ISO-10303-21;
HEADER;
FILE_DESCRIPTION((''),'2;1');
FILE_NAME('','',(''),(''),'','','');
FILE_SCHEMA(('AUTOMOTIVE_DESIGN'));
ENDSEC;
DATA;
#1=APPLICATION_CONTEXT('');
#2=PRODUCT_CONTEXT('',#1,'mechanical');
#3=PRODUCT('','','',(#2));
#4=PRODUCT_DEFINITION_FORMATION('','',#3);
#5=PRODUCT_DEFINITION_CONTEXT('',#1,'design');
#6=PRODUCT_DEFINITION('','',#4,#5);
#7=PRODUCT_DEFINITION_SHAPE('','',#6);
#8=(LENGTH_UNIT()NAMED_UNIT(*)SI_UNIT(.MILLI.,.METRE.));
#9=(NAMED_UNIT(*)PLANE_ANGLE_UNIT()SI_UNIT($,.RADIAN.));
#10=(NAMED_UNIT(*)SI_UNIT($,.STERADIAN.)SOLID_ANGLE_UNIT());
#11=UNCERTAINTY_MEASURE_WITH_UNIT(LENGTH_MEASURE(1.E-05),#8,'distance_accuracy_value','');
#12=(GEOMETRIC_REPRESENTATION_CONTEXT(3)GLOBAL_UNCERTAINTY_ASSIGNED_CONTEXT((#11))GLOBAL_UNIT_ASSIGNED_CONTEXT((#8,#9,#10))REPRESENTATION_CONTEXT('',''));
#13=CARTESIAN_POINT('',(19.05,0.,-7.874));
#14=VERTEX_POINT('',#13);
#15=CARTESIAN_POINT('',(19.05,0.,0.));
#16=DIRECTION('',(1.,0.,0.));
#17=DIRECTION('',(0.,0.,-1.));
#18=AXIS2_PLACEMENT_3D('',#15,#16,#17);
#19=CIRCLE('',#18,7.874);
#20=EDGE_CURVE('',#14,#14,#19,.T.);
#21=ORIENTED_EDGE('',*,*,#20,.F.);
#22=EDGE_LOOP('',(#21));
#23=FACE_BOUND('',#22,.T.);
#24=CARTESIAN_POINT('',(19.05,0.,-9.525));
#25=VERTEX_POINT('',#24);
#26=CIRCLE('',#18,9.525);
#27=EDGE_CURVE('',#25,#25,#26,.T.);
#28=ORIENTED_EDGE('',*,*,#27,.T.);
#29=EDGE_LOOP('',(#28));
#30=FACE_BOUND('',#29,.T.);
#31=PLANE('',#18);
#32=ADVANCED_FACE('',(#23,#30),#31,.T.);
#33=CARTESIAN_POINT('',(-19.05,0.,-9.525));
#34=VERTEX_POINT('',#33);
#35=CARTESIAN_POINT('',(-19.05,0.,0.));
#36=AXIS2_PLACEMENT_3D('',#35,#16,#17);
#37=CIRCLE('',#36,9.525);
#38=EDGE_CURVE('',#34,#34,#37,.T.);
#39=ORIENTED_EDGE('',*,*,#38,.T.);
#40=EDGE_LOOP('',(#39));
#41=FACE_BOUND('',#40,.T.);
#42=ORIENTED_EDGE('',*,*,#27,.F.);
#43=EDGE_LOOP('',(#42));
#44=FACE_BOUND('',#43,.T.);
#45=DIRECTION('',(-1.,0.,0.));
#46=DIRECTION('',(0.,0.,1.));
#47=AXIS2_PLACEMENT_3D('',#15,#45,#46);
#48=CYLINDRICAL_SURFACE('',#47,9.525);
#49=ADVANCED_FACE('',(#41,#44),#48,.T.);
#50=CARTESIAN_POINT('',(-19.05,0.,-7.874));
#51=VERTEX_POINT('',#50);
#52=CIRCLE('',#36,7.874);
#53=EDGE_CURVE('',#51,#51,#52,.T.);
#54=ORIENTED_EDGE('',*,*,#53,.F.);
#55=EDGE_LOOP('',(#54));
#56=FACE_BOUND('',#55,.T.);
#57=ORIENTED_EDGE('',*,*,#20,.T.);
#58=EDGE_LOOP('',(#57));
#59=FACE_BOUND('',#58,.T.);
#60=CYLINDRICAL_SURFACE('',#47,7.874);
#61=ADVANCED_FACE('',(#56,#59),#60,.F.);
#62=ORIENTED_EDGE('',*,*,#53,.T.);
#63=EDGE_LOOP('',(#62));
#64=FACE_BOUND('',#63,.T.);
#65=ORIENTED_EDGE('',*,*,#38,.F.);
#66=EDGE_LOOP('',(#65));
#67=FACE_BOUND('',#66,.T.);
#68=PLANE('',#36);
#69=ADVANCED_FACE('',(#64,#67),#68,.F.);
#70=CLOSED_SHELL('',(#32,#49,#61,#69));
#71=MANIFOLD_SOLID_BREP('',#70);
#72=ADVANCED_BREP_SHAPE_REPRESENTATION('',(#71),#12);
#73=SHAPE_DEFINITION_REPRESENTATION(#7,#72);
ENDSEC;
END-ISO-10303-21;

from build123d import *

# Parameters (mm, degrees)
SKETCH1_R           = 9.525
SKETCH1_R_2         = 7.874
BOSS_EXTRUDE1_DEPTH = 19.05


with BuildPart() as part:
    # Sketch1 → Boss-Extrude1 (new body, symmetric)
    with BuildSketch(Plane(origin=(0, 0, 0), x_dir=(0, 0, -1), z_dir=(1, 0, 0))):
        Circle(SKETCH1_R)
        Circle(SKETCH1_R_2, mode=Mode.SUBTRACT)
    extrude(amount=BOSS_EXTRUDE1_DEPTH, both=True)


solid = part.part
